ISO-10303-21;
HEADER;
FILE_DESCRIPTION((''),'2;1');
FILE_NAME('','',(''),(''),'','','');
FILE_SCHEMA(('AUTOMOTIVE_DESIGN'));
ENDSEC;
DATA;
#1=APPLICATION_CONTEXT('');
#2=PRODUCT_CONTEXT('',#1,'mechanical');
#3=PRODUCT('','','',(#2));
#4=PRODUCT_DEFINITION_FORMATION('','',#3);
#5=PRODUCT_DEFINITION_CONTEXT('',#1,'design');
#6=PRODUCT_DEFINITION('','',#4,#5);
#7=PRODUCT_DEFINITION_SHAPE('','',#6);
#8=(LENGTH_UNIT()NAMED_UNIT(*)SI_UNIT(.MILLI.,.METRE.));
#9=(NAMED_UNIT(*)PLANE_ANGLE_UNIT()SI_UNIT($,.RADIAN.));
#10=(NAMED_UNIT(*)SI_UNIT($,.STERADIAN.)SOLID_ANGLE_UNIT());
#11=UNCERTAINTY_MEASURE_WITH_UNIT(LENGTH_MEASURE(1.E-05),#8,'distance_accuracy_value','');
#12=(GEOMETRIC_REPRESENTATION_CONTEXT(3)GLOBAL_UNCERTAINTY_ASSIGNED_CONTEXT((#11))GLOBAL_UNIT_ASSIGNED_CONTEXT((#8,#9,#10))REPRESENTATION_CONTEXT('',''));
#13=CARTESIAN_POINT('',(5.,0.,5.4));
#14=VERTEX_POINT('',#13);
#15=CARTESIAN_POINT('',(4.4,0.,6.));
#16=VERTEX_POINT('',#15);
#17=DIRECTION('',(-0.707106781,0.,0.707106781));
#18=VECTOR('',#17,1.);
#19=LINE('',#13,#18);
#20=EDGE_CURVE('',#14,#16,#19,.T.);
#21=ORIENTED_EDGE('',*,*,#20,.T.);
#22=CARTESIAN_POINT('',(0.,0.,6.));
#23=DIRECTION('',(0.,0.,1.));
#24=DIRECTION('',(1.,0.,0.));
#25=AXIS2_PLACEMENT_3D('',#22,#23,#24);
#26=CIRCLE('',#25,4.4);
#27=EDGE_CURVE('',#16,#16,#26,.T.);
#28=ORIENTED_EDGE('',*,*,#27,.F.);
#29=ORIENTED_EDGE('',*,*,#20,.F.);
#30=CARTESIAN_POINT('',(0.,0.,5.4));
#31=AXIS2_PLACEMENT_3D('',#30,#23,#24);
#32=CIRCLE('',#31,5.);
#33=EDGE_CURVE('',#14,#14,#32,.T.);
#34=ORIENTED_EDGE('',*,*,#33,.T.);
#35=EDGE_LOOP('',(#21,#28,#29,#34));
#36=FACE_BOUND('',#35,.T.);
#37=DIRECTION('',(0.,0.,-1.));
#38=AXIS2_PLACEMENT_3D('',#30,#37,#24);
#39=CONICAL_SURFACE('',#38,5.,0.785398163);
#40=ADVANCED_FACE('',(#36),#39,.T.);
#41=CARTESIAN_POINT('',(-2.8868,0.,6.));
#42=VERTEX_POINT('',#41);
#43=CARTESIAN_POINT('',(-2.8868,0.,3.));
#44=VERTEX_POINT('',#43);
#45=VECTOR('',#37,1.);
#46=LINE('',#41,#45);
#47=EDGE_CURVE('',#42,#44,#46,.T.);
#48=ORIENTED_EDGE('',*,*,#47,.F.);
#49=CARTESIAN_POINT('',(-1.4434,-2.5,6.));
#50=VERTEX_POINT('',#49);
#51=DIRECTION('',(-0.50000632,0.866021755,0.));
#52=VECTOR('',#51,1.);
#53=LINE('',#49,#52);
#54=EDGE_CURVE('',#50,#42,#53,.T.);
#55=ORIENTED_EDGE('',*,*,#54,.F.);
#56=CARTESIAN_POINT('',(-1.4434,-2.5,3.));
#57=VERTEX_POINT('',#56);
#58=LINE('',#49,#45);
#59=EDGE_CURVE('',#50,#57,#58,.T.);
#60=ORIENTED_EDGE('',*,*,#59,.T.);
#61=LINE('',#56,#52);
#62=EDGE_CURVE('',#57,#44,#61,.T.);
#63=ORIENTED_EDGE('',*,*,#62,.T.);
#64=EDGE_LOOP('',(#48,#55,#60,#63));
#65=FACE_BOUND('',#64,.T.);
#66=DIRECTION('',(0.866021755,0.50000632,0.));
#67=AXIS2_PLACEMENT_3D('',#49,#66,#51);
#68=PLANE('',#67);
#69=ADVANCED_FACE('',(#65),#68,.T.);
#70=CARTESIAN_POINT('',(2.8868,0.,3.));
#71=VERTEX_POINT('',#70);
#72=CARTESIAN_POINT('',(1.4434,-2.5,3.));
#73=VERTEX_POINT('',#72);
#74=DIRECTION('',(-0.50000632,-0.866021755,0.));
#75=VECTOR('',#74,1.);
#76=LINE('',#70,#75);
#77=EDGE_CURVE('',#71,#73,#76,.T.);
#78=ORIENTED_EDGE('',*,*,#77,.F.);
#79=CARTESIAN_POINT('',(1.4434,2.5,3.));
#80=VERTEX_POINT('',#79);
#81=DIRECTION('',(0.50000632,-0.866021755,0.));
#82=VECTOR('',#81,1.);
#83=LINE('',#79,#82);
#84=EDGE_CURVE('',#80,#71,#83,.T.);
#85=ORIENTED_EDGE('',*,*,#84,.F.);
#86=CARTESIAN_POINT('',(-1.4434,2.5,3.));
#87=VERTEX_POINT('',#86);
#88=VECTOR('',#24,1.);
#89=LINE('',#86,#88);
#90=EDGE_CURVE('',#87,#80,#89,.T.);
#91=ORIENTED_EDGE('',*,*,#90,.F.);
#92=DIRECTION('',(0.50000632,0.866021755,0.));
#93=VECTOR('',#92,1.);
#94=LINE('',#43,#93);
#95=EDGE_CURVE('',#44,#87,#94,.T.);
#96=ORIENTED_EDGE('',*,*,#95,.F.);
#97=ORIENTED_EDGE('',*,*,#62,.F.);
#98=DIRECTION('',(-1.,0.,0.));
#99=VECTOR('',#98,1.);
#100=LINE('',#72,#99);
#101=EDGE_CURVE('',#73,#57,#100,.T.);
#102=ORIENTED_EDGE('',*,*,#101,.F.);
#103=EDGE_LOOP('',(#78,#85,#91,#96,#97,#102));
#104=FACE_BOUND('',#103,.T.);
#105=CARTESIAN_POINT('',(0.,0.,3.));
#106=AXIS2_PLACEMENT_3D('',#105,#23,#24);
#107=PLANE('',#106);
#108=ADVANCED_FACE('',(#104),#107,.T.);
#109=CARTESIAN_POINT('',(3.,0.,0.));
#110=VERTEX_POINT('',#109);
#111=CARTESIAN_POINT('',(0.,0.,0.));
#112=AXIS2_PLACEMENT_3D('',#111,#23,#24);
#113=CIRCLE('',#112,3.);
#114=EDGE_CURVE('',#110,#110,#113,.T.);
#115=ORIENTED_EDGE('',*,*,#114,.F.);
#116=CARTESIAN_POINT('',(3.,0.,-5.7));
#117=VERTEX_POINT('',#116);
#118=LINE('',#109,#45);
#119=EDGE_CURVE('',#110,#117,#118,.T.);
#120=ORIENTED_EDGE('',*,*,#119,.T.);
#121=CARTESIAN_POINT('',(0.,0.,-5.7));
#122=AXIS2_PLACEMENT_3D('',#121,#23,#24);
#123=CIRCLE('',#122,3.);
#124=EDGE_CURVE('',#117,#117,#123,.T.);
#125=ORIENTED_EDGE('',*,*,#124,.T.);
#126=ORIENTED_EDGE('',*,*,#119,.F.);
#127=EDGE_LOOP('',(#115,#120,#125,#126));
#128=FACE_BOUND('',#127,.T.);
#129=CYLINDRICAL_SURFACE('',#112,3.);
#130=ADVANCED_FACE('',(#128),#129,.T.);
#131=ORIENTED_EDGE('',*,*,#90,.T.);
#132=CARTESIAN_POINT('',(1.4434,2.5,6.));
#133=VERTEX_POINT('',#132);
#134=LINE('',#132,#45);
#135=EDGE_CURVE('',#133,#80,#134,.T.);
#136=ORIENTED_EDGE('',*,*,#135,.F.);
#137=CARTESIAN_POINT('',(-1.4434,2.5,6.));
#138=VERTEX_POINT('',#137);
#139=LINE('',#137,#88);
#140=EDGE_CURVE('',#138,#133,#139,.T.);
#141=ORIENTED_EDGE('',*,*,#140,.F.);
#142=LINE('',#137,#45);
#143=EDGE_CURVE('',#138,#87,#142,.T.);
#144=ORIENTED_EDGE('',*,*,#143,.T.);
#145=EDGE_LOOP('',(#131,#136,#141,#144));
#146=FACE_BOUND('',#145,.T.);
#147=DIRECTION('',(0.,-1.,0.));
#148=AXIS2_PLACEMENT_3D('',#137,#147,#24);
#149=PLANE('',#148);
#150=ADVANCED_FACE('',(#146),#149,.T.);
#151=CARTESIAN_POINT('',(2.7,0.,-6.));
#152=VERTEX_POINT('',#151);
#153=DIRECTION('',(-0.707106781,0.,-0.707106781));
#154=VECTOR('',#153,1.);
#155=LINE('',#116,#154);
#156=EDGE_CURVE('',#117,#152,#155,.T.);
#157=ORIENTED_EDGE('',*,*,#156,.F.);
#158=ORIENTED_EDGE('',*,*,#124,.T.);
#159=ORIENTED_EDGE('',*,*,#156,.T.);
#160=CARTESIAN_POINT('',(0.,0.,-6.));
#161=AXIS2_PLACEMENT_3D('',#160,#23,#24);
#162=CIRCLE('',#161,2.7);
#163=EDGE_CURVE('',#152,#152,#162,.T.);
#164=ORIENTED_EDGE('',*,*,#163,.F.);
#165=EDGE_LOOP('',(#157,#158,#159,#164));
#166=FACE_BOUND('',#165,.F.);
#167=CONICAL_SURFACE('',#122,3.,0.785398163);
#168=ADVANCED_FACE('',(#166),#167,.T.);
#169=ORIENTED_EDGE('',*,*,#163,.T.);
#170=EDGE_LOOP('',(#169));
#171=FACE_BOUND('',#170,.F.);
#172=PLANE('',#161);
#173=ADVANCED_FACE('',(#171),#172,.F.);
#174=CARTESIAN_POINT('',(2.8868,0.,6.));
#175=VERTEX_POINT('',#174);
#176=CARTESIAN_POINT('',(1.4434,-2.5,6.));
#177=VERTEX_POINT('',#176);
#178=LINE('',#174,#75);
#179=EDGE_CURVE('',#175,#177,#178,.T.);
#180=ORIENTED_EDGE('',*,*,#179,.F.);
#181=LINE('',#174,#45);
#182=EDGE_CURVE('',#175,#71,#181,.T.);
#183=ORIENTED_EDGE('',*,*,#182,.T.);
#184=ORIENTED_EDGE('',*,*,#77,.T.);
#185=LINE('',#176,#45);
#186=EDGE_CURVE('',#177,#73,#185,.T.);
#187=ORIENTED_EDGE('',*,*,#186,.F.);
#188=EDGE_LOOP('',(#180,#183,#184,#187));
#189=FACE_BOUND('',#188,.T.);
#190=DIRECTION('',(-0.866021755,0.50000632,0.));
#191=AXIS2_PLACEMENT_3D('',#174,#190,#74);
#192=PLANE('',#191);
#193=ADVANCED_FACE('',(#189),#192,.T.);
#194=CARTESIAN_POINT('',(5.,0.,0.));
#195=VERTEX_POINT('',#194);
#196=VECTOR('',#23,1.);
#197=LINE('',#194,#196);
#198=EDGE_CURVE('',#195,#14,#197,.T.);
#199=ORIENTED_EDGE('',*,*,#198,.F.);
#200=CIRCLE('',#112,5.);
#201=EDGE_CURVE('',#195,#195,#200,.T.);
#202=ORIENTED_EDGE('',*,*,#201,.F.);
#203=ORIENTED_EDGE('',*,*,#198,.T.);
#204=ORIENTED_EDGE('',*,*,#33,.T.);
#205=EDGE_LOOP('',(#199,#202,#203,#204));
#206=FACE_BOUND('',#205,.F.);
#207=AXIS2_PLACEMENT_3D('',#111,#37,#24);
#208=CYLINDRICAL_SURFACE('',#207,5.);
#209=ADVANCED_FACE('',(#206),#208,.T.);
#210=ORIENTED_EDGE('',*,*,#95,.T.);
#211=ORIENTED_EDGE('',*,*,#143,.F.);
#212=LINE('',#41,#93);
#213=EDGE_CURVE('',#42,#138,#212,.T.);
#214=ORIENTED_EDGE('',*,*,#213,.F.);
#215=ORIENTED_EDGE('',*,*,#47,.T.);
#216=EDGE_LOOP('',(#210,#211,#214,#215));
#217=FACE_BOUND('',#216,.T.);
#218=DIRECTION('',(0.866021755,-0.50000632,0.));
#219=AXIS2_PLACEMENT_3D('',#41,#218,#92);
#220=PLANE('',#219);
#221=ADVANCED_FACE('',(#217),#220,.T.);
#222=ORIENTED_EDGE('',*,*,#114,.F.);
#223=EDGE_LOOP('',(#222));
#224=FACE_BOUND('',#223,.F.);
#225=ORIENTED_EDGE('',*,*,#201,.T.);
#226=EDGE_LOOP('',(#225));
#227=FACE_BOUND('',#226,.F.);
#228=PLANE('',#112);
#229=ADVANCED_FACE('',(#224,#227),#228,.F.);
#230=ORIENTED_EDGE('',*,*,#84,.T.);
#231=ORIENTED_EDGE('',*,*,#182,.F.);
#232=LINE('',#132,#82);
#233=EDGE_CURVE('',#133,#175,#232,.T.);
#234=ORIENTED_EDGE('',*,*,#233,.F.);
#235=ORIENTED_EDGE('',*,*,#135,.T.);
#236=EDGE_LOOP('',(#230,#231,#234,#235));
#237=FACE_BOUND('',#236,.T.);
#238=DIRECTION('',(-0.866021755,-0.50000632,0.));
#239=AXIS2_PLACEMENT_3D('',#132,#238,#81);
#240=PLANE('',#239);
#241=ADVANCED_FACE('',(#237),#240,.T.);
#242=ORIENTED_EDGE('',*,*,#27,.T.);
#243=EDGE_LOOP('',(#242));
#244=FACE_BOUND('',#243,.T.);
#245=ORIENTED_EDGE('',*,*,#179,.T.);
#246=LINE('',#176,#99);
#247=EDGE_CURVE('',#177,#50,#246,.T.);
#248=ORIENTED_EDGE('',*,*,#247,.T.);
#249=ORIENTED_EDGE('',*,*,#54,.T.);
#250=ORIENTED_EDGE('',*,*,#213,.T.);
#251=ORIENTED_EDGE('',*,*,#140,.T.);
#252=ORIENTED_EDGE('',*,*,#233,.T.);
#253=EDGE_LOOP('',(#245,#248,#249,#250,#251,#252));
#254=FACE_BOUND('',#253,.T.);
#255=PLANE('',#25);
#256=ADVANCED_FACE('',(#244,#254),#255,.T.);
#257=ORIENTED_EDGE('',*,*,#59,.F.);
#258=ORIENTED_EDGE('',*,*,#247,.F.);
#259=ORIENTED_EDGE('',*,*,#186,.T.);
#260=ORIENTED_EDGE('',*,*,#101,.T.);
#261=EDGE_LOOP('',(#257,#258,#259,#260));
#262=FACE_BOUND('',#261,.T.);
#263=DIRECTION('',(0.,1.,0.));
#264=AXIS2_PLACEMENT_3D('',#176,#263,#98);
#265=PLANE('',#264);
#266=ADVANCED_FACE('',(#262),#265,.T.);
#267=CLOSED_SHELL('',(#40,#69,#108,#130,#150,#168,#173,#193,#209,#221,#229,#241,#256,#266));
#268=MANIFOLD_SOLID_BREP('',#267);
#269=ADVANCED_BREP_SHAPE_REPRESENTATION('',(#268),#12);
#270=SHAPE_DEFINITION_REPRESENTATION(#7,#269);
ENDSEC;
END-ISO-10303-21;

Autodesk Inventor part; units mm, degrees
ref_plane "YZ Plane" through (0, 0, 0) normal (1, 0, 0) x (0, 1, 0)
ref_plane "XZ Plane" through (0, 0, 0) normal (0, 1, 0) x (-1, 0, 0)
ref_plane "XY Plane" through (0, 0, 0) normal (0, 0, 1) x (1, 0, 0)
sketch "Sketch3" plane through (0, 0, 0) normal (0, 0, 1) x (1, 0, 0)
  circle A0 centre (0, 0) radius 3
  dimension "Diameter" = 6
extrude "Extrusion1" add sketch "Sketch3" against normal blind 6
sketch "Sketch4" plane through (0, 0, 0) normal (0, 0, 1) x (1, 0, 0)
  circle A0 centre (0, 0) radius 3 projected
  circle A1 centre (0, 0) radius 5
  dimension "Head_Diameter" = 10
extrude "Extrusion2" add sketch "Sketch4" along normal blind 6 contours A0 | A1
sketch "Sketch5" plane through (0, 0, 6) normal (0, 0, 1) x (1, 0, 0)
  circle A0 centre (0, 0) radius 5 projected
  line L0 (2.8868, 0) -> (1.4434, -2.5)
  line L1 (1.4434, -2.5) -> (-1.4434, -2.5)
  line L2 (-1.4434, -2.5) -> (-2.8868, 0)
  line L3 (-2.8868, 0) -> (-1.4434, 2.5)
  line L4 (-1.4434, 2.5) -> (1.4434, 2.5)
  line L5 (1.4434, 2.5) -> (2.8868, 0)
  line L6 (0, 0) -> (2.8868, 0) construction
  dimension "Hex_Width" = 5
extrude "Extrusion3" cut sketch "Sketch5" against normal blind 3 contours L0 L1 L2 L3 L4 L5
thread "Thread1" size "M6x1" class "4g6g" standard "ANSI Metric M Profile" length 6
chamfer "Chamfer1" distance 0.6 angle 45 1 edges at (-5, 0, 6)
chamfer "Chamfer2" distance 0.3 angle 45 1 edges at (-3, 0, -6)
equation "\"d14\" = 0.5 * Chamfer"
equation "\"Chamfer\" = 0.6"
properties part number "SCREW, SOCKET HD, P, 12.9, M6X1" material "Steel, MS"
